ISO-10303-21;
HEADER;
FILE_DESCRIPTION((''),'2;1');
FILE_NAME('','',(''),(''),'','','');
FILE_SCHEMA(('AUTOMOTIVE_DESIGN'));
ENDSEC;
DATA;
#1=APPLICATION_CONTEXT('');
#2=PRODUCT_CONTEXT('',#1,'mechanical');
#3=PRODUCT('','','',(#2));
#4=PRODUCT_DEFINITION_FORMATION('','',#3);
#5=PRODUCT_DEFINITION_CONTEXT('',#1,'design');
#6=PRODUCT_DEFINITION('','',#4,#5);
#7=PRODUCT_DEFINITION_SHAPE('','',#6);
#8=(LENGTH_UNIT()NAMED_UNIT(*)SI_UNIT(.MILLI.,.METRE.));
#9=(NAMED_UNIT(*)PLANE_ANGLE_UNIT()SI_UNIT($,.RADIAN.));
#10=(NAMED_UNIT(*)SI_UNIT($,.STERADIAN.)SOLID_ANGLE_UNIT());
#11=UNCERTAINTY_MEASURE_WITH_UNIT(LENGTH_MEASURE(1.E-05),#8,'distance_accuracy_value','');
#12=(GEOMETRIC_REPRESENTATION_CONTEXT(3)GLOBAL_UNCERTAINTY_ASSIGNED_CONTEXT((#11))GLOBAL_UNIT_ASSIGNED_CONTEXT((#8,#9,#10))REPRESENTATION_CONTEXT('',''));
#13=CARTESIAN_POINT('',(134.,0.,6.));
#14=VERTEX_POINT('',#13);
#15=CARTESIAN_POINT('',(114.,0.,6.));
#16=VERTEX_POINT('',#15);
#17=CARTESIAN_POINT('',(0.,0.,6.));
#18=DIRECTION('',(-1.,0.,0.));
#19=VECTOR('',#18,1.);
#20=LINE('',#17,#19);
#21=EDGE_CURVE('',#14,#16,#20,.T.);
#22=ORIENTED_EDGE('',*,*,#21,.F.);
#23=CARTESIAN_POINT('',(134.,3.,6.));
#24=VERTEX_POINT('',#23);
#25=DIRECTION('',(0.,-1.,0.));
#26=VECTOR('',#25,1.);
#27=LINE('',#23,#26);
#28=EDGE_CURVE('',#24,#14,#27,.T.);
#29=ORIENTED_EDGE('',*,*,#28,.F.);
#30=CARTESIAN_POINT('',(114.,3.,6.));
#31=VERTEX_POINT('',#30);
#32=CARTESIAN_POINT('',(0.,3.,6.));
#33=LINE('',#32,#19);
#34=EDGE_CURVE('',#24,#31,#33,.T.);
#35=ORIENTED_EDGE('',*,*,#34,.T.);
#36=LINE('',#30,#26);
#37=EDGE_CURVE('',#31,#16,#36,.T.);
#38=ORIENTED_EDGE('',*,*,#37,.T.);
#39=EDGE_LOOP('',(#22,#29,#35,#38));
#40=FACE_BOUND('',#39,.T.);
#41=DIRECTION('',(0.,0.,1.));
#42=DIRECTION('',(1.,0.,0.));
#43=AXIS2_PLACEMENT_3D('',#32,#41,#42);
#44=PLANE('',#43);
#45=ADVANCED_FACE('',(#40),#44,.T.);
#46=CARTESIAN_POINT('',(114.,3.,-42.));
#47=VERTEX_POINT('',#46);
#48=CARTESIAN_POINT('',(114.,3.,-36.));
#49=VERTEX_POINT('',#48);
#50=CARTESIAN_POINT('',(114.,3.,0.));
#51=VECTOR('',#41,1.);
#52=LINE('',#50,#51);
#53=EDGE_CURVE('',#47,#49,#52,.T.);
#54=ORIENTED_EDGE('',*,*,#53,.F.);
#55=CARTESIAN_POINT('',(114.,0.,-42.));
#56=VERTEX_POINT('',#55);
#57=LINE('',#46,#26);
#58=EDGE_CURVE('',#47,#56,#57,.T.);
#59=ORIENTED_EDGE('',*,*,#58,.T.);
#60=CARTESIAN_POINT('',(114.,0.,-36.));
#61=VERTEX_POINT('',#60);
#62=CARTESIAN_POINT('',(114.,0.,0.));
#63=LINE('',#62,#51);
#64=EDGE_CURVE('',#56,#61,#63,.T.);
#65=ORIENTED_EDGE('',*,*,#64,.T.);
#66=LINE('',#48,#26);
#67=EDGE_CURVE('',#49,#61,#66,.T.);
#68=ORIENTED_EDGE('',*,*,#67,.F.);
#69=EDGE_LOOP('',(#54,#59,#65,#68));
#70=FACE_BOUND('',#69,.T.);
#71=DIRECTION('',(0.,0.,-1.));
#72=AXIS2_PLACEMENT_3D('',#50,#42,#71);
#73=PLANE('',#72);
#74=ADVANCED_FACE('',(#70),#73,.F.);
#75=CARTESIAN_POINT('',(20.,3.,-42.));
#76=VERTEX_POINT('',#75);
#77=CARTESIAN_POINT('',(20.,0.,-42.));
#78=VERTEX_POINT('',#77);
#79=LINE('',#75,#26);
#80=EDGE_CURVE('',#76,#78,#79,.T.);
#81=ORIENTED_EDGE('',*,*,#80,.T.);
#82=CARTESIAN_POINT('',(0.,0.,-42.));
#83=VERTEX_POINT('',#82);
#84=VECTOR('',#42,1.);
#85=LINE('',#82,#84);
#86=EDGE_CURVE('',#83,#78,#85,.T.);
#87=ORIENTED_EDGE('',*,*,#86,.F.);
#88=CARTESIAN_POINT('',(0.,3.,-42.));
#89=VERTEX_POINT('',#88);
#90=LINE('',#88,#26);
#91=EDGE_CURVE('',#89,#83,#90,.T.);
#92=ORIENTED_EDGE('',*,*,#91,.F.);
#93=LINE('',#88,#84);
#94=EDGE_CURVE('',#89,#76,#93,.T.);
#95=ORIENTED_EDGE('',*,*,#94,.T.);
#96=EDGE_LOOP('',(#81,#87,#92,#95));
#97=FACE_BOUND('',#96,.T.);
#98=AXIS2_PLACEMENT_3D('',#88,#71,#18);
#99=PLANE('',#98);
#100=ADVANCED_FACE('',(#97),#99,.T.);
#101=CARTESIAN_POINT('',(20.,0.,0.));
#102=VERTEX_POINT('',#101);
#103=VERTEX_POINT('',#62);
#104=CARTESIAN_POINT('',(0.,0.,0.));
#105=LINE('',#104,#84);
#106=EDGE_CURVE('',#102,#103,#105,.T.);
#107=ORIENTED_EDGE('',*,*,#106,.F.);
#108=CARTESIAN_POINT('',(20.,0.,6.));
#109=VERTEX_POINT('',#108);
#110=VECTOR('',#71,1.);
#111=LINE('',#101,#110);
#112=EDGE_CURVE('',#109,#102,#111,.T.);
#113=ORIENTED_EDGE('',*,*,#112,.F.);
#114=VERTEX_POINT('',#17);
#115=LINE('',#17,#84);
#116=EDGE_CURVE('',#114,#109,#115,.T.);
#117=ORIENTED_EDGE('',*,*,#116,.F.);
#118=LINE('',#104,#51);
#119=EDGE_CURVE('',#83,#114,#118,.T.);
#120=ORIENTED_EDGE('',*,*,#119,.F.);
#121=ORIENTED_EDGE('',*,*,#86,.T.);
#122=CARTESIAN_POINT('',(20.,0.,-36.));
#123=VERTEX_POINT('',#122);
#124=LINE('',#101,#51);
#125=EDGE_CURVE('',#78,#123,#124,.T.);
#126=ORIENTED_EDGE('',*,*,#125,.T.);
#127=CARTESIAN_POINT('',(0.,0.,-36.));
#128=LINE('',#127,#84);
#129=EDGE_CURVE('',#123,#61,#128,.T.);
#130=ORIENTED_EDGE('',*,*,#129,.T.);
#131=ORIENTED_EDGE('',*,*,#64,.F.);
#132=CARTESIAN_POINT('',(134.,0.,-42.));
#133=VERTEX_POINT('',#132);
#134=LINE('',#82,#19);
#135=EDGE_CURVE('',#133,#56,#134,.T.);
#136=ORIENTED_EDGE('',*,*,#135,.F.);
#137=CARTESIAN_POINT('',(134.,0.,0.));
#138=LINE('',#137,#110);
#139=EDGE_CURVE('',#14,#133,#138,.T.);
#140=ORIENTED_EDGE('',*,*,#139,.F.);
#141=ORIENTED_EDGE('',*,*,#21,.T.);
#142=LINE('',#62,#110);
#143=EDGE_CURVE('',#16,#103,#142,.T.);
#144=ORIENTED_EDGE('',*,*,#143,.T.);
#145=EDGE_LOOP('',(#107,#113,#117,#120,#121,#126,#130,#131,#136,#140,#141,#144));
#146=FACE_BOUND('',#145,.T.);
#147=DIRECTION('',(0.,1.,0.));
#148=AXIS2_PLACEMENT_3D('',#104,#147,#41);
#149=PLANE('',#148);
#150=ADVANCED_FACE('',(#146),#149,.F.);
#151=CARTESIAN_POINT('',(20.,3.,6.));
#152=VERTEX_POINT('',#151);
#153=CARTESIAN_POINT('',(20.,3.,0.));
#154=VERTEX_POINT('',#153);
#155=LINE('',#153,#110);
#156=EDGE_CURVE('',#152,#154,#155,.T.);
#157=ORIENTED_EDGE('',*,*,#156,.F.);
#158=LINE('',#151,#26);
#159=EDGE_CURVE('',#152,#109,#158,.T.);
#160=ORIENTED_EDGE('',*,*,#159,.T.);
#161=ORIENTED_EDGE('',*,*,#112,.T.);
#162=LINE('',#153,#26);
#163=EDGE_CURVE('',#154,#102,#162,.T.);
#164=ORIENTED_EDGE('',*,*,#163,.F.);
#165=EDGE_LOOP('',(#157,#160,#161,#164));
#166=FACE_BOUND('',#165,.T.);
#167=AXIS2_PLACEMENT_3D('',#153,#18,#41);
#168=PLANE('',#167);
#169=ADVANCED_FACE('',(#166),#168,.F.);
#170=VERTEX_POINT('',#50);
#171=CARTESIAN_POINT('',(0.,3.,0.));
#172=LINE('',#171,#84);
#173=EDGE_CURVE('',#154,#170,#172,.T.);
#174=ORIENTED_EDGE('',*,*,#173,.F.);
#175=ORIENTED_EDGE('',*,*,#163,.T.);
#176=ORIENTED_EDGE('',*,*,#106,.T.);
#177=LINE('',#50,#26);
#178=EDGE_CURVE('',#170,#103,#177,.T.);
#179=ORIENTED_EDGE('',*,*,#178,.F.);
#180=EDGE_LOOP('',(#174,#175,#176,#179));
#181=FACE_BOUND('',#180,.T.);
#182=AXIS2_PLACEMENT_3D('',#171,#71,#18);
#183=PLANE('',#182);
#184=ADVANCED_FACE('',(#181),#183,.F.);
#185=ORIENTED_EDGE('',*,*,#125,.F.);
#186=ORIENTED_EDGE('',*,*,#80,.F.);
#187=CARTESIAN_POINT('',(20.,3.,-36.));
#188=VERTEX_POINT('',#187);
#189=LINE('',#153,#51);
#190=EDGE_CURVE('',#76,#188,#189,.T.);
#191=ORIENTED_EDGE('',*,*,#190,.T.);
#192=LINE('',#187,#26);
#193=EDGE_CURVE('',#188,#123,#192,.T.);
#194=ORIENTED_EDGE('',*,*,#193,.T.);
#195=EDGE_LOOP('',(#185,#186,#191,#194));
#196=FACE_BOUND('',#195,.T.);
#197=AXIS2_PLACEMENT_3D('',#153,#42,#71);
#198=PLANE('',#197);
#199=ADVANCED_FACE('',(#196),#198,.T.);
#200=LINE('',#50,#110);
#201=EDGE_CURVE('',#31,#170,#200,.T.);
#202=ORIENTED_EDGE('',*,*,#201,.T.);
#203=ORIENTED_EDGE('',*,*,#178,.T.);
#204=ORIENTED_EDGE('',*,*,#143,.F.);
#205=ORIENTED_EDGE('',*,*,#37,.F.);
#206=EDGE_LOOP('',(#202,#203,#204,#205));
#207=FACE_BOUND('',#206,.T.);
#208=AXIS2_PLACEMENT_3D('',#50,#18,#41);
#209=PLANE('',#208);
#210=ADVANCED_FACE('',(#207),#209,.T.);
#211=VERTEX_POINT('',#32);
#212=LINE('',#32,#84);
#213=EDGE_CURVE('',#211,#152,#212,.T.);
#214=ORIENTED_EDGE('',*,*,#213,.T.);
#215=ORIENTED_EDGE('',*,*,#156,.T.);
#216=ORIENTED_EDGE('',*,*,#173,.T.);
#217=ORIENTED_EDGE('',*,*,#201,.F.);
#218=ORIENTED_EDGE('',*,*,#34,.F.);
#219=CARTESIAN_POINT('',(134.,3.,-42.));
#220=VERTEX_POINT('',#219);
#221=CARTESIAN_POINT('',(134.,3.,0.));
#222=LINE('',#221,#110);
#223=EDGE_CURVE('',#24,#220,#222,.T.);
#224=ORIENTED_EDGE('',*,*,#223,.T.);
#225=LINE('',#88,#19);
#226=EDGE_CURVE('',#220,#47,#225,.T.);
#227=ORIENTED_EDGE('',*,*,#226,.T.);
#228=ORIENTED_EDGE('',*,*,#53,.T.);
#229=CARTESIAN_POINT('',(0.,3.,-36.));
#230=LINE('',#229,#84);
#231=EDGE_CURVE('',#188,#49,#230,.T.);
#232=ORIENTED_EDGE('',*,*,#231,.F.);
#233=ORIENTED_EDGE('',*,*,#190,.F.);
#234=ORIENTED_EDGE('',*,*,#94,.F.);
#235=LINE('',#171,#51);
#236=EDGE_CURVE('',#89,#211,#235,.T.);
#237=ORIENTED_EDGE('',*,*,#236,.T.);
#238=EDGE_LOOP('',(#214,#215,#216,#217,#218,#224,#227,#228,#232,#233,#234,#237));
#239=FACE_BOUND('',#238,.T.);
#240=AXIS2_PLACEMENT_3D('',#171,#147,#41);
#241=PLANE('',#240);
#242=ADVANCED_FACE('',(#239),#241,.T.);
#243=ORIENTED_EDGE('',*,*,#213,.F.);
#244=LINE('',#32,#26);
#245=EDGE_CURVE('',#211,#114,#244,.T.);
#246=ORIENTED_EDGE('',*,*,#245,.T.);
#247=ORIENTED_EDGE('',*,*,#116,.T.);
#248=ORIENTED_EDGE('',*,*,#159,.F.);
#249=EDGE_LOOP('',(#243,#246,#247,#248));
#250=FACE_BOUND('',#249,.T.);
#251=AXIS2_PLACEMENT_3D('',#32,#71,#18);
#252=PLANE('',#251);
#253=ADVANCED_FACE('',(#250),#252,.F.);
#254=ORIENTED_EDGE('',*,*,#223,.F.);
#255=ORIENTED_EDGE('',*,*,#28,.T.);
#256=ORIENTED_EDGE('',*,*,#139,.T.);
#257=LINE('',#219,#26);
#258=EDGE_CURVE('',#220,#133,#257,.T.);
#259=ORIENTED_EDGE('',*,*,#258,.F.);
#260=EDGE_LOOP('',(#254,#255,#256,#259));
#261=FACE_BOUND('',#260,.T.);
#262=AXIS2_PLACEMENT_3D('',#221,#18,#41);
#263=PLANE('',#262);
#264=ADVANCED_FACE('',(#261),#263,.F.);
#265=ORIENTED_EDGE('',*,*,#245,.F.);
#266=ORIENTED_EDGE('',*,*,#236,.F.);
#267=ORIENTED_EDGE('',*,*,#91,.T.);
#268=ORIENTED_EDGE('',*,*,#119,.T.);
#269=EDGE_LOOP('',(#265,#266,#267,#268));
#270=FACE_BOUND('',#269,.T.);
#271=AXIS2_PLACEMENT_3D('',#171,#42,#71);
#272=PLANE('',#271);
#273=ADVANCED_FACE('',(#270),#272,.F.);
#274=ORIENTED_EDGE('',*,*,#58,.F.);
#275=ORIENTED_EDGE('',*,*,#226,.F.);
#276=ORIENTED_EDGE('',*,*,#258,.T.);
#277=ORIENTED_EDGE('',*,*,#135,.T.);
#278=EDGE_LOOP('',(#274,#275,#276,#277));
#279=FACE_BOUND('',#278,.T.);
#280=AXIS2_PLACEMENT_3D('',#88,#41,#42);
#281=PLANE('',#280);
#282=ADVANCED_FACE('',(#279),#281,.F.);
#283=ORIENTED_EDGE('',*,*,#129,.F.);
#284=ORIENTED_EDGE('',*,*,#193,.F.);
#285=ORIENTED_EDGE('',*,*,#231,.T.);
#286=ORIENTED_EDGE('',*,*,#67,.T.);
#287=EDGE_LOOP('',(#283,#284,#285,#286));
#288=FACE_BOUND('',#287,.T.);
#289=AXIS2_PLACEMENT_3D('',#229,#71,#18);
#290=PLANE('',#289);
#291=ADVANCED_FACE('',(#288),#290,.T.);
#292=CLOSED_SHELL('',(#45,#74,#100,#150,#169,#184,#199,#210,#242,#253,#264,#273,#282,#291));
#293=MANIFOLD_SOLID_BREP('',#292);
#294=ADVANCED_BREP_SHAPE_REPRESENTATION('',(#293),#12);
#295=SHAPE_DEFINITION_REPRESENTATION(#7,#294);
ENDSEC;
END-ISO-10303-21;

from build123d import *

# Parameters (mm, degrees)
CROQUIS1_W              = 20
CROQUIS1_H              = 6
CROQUIS1_W_2            = 134
CROQUIS1_H_2            = 36
SALIENTE_EXTRUIR1_DEPTH = 3


with BuildPart() as part:
    # Croquis1 → Saliente-Extruir1 (new body)
    with BuildSketch(Plane(origin=(0, 0, 0), x_dir=(1, 0, 0), z_dir=(0, 1, 0))):
        with Locations((10, -3)):
            Rectangle(CROQUIS1_W, CROQUIS1_H)
        with Locations((67, 18)):
            Rectangle(CROQUIS1_W_2, CROQUIS1_H_2)
        with Locations((10, 39)):
            Rectangle(CROQUIS1_W, CROQUIS1_H)
        with Locations((124, 39)):
            Rectangle(CROQUIS1_W, CROQUIS1_H)
        with Locations((124, -3)):
            Rectangle(CROQUIS1_W, CROQUIS1_H)
    extrude(amount=SALIENTE_EXTRUIR1_DEPTH)


solid = part.part
